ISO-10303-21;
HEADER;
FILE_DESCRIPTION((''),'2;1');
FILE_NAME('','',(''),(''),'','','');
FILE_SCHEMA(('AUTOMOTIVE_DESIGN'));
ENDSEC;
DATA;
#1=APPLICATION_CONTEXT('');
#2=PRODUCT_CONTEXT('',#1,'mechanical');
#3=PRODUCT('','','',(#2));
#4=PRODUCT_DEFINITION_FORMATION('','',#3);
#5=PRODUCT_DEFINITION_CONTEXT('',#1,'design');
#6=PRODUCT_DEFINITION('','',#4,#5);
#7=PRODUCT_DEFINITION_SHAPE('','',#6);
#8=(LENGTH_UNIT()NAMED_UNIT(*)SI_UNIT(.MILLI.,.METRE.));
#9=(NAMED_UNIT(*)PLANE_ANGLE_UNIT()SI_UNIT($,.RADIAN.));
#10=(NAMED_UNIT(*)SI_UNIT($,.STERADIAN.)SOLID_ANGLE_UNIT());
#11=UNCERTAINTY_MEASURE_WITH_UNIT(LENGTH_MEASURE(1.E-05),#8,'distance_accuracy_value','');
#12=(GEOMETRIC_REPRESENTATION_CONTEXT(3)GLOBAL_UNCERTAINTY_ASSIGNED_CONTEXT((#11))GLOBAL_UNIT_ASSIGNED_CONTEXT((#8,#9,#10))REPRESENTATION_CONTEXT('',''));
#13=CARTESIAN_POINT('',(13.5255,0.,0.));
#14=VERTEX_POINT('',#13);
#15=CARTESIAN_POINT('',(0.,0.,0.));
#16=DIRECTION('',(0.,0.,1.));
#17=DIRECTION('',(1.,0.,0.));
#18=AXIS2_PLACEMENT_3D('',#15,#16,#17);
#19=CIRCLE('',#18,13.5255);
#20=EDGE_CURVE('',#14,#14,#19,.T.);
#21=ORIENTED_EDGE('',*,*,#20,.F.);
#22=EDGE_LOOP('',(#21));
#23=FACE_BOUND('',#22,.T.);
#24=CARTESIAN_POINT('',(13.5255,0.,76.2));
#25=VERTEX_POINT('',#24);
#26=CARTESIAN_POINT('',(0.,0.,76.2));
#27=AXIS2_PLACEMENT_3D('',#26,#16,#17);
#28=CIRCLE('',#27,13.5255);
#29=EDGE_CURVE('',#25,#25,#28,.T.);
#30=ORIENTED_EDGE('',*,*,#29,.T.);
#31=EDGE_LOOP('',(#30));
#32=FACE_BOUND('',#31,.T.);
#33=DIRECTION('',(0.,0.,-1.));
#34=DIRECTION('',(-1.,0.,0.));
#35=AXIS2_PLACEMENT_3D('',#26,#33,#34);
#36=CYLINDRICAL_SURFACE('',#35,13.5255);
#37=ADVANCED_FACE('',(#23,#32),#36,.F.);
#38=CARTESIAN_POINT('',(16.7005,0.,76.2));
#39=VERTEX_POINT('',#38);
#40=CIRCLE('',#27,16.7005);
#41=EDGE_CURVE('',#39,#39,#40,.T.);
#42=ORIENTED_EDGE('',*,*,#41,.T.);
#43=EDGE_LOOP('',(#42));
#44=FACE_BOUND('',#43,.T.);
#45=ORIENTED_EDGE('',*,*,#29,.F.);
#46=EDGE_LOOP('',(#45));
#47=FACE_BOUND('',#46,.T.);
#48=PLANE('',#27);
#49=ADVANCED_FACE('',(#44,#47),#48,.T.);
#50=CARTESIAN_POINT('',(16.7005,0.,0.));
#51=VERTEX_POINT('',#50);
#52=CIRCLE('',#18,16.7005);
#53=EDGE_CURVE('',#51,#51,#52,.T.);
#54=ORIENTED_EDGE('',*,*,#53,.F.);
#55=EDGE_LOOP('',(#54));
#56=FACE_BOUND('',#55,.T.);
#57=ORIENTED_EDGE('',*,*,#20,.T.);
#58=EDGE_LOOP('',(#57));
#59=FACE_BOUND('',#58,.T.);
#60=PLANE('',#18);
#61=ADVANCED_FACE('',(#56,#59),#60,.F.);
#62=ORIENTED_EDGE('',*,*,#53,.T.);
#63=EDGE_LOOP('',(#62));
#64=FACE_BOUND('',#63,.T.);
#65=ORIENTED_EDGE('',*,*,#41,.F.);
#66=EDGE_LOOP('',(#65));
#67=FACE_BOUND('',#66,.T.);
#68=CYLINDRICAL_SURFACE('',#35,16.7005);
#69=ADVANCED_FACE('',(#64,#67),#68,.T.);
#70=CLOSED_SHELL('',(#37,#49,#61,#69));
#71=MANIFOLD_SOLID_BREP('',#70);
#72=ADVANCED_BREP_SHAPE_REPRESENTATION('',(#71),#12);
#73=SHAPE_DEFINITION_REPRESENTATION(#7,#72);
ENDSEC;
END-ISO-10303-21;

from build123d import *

# Parameters (mm, degrees)
SKETCH1_R           = 16.7005
SKETCH1_R_2         = 13.5255
BOSS_EXTRUDE1_DEPTH = 76.2


with BuildPart() as part:
    # Sketch1 → Boss-Extrude1 (new body)
    with BuildSketch(Plane.XY):
        Circle(SKETCH1_R)
        Circle(SKETCH1_R_2, mode=Mode.SUBTRACT)
    extrude(amount=BOSS_EXTRUDE1_DEPTH)


solid = part.part
